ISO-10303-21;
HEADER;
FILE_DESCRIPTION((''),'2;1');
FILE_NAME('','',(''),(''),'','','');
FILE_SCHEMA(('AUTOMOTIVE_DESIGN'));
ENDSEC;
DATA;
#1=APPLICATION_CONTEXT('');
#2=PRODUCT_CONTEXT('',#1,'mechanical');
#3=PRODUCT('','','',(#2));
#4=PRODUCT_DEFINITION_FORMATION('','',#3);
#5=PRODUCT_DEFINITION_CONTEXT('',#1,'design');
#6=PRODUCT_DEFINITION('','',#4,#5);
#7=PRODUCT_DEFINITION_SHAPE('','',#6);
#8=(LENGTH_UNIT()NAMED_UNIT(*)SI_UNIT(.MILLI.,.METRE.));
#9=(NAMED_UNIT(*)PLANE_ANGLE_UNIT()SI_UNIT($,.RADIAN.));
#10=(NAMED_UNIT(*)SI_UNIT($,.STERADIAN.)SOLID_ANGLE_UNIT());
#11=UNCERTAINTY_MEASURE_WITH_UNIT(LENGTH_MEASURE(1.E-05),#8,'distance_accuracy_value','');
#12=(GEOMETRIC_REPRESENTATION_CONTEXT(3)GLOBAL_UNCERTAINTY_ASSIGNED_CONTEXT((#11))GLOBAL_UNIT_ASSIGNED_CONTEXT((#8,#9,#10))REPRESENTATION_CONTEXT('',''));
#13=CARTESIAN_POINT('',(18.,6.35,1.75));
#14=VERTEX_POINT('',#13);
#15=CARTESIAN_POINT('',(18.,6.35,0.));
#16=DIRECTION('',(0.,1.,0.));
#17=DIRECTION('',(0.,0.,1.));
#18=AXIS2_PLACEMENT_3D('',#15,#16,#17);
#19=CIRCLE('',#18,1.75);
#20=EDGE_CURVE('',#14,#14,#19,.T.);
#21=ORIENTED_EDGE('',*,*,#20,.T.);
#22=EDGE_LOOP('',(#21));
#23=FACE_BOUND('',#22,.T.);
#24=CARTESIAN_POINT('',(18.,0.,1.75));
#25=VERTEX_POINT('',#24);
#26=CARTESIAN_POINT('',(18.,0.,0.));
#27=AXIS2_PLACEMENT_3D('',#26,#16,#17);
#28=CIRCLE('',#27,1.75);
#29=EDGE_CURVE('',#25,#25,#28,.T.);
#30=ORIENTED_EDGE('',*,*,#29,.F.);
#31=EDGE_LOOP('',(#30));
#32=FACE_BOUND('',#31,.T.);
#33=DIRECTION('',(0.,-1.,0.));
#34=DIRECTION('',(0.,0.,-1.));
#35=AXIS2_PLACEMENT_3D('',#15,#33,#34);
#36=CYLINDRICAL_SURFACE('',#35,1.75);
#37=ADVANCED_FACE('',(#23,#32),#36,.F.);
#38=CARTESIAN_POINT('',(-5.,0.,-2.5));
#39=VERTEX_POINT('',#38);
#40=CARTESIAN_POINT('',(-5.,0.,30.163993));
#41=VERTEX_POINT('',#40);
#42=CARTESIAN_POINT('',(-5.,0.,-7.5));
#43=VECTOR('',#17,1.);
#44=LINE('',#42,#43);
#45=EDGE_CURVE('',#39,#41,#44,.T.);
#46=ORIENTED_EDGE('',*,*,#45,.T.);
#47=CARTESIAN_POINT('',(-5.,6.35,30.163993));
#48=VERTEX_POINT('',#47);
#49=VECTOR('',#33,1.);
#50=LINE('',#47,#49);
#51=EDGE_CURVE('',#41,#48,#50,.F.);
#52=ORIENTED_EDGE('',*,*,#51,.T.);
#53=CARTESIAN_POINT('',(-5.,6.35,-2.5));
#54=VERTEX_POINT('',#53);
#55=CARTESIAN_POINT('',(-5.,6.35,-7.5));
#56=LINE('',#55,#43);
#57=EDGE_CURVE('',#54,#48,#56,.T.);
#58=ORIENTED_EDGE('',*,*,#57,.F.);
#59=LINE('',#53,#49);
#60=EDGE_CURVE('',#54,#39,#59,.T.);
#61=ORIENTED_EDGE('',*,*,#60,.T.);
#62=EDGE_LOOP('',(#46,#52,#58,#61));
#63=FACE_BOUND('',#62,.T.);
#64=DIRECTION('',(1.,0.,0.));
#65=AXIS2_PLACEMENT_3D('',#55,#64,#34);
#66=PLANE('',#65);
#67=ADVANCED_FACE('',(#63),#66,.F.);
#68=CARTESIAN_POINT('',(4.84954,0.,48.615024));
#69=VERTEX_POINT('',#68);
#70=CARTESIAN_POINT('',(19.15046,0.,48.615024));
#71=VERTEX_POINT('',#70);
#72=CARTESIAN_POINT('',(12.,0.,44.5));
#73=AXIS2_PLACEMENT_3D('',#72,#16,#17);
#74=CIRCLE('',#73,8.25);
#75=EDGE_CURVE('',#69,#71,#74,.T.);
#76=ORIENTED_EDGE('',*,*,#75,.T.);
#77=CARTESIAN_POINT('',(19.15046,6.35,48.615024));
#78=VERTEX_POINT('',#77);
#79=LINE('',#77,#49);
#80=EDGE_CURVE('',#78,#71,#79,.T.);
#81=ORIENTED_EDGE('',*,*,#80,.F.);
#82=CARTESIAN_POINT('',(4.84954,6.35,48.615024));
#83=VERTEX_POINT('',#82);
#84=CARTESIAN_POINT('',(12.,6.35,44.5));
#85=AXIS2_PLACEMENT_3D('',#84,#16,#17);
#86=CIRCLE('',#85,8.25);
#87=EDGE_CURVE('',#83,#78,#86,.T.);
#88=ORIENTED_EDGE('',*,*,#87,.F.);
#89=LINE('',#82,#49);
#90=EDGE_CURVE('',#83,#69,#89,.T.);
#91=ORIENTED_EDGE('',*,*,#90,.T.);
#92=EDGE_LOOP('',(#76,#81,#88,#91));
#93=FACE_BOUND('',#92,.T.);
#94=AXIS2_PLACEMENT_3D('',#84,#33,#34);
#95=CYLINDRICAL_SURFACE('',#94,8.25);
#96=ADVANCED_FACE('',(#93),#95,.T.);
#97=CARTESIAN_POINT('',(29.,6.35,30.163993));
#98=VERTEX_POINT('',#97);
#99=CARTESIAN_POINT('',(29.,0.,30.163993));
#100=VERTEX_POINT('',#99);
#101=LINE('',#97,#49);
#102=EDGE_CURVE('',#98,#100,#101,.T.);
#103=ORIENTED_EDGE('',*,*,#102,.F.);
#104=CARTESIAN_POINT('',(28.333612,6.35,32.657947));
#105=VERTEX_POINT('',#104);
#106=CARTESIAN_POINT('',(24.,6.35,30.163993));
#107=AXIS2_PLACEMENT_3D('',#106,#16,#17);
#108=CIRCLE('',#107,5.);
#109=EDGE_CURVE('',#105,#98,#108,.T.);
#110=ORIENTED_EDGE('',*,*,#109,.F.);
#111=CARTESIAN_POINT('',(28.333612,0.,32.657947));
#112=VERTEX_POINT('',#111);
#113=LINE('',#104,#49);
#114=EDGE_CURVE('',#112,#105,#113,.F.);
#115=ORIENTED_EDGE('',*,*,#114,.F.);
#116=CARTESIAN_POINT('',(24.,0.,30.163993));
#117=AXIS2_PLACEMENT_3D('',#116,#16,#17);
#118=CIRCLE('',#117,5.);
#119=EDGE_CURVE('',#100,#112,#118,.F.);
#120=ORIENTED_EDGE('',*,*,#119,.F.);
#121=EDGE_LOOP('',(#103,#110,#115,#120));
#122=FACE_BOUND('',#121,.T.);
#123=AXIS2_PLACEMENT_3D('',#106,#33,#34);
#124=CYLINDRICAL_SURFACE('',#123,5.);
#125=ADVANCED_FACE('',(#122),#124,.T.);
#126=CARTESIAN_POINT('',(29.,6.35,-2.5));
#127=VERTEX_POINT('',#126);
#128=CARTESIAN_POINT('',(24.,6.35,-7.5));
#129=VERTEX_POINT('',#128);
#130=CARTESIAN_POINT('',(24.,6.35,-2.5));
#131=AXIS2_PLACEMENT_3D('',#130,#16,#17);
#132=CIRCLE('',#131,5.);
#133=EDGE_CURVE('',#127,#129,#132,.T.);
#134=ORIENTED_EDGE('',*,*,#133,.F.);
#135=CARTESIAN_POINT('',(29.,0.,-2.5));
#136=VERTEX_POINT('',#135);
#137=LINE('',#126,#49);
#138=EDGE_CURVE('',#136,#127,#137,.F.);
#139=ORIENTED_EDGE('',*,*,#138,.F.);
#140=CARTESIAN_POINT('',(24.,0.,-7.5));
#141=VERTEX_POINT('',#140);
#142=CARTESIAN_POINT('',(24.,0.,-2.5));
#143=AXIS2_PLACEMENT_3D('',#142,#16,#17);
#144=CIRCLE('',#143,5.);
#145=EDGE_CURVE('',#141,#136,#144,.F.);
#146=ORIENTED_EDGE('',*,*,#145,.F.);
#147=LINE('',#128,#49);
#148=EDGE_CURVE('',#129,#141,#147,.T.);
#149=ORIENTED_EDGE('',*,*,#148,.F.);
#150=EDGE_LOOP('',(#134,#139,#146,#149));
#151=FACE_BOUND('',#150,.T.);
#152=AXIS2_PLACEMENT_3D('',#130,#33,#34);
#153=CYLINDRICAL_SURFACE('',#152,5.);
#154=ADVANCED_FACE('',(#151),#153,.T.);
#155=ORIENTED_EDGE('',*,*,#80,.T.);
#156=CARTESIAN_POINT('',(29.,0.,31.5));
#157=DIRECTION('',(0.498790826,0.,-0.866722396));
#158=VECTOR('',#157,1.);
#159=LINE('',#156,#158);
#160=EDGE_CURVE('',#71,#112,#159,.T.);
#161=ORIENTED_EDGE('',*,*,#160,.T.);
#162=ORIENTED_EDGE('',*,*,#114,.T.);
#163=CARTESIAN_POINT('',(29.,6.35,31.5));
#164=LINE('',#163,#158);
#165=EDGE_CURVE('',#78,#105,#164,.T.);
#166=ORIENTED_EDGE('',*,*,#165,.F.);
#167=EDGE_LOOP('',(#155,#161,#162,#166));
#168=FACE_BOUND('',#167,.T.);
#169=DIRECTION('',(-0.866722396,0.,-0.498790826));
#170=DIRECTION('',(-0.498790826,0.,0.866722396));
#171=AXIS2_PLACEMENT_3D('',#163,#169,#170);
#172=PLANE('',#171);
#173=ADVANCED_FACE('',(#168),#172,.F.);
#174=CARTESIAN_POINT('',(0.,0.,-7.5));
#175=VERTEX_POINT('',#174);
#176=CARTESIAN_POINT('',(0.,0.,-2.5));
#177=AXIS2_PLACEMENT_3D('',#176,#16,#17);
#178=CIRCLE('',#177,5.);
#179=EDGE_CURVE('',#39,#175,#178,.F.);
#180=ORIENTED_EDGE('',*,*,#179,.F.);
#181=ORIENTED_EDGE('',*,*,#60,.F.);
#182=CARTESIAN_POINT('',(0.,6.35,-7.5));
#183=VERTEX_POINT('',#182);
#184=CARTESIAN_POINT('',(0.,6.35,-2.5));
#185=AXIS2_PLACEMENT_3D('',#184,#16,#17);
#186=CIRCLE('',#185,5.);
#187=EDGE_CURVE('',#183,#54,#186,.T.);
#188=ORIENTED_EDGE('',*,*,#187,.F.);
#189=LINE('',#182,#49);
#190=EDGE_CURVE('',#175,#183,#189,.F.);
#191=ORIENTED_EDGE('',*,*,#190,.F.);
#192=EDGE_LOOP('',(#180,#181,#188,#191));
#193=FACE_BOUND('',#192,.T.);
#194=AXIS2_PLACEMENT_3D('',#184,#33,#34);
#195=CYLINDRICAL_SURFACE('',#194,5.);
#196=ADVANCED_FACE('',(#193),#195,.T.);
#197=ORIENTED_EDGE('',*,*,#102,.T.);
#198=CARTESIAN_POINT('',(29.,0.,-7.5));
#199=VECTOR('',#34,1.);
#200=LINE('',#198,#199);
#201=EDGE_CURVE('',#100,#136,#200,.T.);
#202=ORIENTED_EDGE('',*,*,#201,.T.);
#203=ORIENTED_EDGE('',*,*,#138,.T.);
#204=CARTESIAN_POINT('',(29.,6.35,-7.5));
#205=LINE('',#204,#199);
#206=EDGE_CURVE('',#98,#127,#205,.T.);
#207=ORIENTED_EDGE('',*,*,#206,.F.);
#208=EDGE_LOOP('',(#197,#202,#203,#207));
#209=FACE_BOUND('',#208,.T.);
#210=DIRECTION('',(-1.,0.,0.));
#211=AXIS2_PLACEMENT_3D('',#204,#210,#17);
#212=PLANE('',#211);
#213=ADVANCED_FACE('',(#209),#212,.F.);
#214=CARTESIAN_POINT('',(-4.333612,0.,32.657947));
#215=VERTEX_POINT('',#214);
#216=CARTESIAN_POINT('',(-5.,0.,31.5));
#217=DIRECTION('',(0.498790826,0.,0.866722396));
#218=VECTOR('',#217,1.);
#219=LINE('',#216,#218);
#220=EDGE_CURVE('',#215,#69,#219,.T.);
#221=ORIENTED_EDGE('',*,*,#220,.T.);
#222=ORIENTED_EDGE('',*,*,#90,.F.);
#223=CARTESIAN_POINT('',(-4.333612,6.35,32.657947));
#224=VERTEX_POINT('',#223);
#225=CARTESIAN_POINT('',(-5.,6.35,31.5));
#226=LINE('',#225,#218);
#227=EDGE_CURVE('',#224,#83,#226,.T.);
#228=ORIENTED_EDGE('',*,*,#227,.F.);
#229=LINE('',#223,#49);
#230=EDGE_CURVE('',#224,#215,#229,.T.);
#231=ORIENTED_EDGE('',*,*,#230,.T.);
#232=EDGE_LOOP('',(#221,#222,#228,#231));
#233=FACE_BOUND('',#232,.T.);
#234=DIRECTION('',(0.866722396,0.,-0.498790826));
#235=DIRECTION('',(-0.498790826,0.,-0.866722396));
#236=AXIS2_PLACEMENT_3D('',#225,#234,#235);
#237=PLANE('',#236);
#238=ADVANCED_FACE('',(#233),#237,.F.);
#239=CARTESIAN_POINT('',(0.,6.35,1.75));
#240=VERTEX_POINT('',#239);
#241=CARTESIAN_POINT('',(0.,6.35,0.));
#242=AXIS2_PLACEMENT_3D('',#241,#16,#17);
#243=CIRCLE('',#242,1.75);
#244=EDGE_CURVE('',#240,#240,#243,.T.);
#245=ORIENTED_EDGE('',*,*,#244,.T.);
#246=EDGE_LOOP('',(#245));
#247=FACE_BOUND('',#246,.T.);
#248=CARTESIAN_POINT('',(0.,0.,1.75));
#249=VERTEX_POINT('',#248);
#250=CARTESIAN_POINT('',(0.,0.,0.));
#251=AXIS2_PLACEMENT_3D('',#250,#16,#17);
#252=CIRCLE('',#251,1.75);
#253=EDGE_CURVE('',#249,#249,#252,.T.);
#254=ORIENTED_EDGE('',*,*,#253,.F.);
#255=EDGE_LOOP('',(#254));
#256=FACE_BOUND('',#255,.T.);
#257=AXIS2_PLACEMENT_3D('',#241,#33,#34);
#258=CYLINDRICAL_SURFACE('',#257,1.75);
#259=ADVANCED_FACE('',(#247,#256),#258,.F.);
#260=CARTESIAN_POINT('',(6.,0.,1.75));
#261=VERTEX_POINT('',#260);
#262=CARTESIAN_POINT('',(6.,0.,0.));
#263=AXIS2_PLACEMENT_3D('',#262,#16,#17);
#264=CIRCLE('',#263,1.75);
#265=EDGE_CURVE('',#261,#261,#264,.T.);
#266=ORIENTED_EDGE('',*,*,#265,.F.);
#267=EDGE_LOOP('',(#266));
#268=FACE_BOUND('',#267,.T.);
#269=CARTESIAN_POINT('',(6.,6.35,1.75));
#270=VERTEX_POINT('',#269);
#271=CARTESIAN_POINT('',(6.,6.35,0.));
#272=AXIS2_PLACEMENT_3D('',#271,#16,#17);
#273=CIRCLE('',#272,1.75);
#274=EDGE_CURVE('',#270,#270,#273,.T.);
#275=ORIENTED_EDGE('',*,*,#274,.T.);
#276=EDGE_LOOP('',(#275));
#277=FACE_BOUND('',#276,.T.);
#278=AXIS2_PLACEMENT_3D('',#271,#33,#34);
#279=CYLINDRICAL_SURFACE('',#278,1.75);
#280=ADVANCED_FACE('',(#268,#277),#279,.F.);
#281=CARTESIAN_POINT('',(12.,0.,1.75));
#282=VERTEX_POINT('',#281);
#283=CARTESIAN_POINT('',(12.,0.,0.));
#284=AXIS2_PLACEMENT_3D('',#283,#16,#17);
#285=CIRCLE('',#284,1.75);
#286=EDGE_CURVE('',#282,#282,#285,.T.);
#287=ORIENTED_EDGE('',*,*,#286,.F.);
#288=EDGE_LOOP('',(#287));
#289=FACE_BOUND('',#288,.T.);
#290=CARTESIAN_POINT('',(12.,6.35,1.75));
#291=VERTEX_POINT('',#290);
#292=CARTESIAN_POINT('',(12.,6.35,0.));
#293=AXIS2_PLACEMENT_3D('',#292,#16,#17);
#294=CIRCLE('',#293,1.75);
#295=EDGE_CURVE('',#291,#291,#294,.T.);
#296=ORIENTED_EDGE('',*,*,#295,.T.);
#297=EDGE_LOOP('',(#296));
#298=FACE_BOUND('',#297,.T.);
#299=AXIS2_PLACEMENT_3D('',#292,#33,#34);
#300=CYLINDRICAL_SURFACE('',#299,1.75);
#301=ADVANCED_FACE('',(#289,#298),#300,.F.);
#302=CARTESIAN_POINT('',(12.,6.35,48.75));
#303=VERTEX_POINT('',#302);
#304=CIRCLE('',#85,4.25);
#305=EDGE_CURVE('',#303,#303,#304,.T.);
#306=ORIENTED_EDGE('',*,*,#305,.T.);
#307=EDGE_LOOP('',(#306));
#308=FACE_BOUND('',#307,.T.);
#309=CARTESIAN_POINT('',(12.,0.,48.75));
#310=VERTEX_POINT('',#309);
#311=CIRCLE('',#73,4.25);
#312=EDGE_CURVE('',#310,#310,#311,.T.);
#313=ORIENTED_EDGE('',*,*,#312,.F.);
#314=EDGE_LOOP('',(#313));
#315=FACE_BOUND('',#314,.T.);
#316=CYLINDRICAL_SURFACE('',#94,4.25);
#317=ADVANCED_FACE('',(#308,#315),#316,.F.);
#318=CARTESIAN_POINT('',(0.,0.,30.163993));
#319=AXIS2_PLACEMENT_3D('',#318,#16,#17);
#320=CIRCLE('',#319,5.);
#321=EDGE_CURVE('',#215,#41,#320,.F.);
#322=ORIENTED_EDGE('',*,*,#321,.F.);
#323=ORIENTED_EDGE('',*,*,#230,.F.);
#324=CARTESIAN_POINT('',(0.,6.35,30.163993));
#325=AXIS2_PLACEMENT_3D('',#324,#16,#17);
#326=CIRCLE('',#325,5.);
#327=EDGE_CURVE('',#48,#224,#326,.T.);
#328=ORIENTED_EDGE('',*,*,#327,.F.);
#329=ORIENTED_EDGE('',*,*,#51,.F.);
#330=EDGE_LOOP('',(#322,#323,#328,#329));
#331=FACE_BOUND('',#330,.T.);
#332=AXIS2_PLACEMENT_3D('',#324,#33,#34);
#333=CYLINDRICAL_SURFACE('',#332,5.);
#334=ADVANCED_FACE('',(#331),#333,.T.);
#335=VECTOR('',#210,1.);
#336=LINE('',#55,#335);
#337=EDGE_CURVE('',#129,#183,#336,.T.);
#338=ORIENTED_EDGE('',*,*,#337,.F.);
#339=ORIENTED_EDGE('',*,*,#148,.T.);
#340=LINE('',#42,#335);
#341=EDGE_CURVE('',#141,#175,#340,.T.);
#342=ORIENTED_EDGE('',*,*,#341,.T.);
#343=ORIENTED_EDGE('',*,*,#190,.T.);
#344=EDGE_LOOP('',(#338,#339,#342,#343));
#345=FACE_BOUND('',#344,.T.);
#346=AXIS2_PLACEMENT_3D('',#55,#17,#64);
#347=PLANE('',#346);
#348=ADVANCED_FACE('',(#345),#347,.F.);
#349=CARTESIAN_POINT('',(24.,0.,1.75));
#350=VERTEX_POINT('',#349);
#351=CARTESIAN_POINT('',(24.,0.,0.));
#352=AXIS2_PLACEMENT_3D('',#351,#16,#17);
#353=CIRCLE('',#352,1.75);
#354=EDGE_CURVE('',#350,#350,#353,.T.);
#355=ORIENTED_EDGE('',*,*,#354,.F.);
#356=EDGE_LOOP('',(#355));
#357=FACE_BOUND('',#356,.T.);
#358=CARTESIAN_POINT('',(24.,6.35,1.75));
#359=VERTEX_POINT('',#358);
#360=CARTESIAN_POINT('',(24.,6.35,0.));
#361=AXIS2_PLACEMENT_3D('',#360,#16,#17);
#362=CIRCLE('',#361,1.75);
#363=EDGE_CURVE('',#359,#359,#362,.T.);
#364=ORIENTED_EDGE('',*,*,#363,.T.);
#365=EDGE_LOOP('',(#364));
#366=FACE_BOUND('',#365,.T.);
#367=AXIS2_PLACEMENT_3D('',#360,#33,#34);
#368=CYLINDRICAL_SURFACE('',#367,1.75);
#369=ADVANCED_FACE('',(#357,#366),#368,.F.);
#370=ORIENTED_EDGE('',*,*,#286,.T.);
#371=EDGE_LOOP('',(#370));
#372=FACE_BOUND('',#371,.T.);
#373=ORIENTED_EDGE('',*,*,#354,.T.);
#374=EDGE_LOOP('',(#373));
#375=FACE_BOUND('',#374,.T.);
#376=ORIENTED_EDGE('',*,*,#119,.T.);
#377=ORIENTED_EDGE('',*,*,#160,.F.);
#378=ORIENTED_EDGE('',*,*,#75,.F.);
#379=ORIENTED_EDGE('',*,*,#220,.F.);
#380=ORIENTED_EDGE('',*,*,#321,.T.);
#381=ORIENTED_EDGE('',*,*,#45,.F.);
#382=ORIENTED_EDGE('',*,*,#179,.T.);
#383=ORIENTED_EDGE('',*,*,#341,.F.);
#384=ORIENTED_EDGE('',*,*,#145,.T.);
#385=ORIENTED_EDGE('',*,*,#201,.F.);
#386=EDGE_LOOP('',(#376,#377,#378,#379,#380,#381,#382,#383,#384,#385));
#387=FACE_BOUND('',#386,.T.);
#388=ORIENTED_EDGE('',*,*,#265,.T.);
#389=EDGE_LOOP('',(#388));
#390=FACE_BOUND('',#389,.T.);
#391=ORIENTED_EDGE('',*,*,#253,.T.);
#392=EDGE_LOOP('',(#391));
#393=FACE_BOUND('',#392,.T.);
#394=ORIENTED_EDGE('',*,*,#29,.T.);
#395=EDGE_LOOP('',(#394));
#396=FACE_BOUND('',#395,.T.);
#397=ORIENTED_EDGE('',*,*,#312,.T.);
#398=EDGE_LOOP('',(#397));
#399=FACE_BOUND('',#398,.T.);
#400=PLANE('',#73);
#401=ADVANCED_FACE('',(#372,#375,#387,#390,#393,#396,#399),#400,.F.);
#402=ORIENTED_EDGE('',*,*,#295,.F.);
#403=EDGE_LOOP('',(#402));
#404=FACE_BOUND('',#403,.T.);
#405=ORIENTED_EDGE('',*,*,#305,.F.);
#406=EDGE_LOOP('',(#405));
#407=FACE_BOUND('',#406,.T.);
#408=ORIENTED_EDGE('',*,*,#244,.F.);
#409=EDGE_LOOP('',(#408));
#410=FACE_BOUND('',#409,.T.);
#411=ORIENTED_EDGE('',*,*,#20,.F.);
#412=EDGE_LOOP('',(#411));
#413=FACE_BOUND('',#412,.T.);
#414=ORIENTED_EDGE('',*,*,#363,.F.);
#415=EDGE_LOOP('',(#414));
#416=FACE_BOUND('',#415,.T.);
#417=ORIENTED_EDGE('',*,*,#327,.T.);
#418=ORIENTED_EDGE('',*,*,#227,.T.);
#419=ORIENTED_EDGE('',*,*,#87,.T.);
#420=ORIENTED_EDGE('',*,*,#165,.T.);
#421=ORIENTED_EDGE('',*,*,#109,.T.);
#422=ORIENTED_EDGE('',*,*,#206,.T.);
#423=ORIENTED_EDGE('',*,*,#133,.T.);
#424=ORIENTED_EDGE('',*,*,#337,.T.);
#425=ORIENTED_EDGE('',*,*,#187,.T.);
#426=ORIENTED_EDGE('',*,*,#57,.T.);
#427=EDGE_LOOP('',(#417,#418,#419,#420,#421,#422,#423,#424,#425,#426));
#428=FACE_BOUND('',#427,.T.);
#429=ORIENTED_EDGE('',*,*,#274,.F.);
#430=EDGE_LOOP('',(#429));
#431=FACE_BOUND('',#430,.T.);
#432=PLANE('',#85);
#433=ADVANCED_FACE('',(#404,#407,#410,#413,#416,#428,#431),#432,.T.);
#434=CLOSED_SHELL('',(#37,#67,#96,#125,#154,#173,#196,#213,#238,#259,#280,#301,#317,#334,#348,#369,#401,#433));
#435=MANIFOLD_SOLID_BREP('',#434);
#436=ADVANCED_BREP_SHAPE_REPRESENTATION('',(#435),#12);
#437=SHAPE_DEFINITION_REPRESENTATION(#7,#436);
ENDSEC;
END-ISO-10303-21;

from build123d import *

# Parameters (mm, degrees)
SKETCH1_R           = 1.75
SKETCH1_R_2         = 4.25
BOSS_EXTRUDE1_DEPTH = 6.35
FILLET1_R           = 5


with BuildPart() as part:
    # Sketch1 → Boss-Extrude1 (new body)
    with BuildSketch(Plane(origin=(0, 0, 0), x_dir=(1, 0, 0), z_dir=(0, 1, 0))):
        with BuildLine():
            Line((-5, 7.5), (29, 7.5))
            Line((29, 7.5), (29, -31.5))
            Line((29, -31.5), (19.150459769, -48.615024313))
            ThreePointArc((19.150459769, -48.615024313), (12, -52.75), (4.849540231, -48.615024313))
            Line((4.849540231, -48.615024313), (-5, -31.5))
            Line((-5, -31.5), (-5, 7.5))
        make_face()
        with Locations(Location((0, 0, 0), (0, 0, 270))):
            Circle(SKETCH1_R, mode=Mode.SUBTRACT)
        with Locations(Location((6, 0, 0), (0, 0, 270))):
            Circle(SKETCH1_R, mode=Mode.SUBTRACT)
        with Locations(Location((12, 0, 0), (0, 0, 270))):
            Circle(SKETCH1_R, mode=Mode.SUBTRACT)
        with Locations(Location((18, 0, 0), (0, 0, 270))):
            Circle(SKETCH1_R, mode=Mode.SUBTRACT)
        with Locations(Location((24, 0, 0), (0, 0, 270))):
            Circle(SKETCH1_R, mode=Mode.SUBTRACT)
        with Locations(Location((12, -44.5, 0), (0, 0, 270))):
            Circle(SKETCH1_R_2, mode=Mode.SUBTRACT)
    extrude(amount=BOSS_EXTRUDE1_DEPTH)

    # Fillet1
    fillet1_edges = [part.edges().sort_by_distance(p)[0] for p in [
        (29, 3.175, 31.5),
        (-5, 3.175, 31.5),
        (-5, 3.175, -7.5),
        (29, 3.175, -7.5),
    ]]
    fillet(fillet1_edges, radius=FILLET1_R)


solid = part.part
